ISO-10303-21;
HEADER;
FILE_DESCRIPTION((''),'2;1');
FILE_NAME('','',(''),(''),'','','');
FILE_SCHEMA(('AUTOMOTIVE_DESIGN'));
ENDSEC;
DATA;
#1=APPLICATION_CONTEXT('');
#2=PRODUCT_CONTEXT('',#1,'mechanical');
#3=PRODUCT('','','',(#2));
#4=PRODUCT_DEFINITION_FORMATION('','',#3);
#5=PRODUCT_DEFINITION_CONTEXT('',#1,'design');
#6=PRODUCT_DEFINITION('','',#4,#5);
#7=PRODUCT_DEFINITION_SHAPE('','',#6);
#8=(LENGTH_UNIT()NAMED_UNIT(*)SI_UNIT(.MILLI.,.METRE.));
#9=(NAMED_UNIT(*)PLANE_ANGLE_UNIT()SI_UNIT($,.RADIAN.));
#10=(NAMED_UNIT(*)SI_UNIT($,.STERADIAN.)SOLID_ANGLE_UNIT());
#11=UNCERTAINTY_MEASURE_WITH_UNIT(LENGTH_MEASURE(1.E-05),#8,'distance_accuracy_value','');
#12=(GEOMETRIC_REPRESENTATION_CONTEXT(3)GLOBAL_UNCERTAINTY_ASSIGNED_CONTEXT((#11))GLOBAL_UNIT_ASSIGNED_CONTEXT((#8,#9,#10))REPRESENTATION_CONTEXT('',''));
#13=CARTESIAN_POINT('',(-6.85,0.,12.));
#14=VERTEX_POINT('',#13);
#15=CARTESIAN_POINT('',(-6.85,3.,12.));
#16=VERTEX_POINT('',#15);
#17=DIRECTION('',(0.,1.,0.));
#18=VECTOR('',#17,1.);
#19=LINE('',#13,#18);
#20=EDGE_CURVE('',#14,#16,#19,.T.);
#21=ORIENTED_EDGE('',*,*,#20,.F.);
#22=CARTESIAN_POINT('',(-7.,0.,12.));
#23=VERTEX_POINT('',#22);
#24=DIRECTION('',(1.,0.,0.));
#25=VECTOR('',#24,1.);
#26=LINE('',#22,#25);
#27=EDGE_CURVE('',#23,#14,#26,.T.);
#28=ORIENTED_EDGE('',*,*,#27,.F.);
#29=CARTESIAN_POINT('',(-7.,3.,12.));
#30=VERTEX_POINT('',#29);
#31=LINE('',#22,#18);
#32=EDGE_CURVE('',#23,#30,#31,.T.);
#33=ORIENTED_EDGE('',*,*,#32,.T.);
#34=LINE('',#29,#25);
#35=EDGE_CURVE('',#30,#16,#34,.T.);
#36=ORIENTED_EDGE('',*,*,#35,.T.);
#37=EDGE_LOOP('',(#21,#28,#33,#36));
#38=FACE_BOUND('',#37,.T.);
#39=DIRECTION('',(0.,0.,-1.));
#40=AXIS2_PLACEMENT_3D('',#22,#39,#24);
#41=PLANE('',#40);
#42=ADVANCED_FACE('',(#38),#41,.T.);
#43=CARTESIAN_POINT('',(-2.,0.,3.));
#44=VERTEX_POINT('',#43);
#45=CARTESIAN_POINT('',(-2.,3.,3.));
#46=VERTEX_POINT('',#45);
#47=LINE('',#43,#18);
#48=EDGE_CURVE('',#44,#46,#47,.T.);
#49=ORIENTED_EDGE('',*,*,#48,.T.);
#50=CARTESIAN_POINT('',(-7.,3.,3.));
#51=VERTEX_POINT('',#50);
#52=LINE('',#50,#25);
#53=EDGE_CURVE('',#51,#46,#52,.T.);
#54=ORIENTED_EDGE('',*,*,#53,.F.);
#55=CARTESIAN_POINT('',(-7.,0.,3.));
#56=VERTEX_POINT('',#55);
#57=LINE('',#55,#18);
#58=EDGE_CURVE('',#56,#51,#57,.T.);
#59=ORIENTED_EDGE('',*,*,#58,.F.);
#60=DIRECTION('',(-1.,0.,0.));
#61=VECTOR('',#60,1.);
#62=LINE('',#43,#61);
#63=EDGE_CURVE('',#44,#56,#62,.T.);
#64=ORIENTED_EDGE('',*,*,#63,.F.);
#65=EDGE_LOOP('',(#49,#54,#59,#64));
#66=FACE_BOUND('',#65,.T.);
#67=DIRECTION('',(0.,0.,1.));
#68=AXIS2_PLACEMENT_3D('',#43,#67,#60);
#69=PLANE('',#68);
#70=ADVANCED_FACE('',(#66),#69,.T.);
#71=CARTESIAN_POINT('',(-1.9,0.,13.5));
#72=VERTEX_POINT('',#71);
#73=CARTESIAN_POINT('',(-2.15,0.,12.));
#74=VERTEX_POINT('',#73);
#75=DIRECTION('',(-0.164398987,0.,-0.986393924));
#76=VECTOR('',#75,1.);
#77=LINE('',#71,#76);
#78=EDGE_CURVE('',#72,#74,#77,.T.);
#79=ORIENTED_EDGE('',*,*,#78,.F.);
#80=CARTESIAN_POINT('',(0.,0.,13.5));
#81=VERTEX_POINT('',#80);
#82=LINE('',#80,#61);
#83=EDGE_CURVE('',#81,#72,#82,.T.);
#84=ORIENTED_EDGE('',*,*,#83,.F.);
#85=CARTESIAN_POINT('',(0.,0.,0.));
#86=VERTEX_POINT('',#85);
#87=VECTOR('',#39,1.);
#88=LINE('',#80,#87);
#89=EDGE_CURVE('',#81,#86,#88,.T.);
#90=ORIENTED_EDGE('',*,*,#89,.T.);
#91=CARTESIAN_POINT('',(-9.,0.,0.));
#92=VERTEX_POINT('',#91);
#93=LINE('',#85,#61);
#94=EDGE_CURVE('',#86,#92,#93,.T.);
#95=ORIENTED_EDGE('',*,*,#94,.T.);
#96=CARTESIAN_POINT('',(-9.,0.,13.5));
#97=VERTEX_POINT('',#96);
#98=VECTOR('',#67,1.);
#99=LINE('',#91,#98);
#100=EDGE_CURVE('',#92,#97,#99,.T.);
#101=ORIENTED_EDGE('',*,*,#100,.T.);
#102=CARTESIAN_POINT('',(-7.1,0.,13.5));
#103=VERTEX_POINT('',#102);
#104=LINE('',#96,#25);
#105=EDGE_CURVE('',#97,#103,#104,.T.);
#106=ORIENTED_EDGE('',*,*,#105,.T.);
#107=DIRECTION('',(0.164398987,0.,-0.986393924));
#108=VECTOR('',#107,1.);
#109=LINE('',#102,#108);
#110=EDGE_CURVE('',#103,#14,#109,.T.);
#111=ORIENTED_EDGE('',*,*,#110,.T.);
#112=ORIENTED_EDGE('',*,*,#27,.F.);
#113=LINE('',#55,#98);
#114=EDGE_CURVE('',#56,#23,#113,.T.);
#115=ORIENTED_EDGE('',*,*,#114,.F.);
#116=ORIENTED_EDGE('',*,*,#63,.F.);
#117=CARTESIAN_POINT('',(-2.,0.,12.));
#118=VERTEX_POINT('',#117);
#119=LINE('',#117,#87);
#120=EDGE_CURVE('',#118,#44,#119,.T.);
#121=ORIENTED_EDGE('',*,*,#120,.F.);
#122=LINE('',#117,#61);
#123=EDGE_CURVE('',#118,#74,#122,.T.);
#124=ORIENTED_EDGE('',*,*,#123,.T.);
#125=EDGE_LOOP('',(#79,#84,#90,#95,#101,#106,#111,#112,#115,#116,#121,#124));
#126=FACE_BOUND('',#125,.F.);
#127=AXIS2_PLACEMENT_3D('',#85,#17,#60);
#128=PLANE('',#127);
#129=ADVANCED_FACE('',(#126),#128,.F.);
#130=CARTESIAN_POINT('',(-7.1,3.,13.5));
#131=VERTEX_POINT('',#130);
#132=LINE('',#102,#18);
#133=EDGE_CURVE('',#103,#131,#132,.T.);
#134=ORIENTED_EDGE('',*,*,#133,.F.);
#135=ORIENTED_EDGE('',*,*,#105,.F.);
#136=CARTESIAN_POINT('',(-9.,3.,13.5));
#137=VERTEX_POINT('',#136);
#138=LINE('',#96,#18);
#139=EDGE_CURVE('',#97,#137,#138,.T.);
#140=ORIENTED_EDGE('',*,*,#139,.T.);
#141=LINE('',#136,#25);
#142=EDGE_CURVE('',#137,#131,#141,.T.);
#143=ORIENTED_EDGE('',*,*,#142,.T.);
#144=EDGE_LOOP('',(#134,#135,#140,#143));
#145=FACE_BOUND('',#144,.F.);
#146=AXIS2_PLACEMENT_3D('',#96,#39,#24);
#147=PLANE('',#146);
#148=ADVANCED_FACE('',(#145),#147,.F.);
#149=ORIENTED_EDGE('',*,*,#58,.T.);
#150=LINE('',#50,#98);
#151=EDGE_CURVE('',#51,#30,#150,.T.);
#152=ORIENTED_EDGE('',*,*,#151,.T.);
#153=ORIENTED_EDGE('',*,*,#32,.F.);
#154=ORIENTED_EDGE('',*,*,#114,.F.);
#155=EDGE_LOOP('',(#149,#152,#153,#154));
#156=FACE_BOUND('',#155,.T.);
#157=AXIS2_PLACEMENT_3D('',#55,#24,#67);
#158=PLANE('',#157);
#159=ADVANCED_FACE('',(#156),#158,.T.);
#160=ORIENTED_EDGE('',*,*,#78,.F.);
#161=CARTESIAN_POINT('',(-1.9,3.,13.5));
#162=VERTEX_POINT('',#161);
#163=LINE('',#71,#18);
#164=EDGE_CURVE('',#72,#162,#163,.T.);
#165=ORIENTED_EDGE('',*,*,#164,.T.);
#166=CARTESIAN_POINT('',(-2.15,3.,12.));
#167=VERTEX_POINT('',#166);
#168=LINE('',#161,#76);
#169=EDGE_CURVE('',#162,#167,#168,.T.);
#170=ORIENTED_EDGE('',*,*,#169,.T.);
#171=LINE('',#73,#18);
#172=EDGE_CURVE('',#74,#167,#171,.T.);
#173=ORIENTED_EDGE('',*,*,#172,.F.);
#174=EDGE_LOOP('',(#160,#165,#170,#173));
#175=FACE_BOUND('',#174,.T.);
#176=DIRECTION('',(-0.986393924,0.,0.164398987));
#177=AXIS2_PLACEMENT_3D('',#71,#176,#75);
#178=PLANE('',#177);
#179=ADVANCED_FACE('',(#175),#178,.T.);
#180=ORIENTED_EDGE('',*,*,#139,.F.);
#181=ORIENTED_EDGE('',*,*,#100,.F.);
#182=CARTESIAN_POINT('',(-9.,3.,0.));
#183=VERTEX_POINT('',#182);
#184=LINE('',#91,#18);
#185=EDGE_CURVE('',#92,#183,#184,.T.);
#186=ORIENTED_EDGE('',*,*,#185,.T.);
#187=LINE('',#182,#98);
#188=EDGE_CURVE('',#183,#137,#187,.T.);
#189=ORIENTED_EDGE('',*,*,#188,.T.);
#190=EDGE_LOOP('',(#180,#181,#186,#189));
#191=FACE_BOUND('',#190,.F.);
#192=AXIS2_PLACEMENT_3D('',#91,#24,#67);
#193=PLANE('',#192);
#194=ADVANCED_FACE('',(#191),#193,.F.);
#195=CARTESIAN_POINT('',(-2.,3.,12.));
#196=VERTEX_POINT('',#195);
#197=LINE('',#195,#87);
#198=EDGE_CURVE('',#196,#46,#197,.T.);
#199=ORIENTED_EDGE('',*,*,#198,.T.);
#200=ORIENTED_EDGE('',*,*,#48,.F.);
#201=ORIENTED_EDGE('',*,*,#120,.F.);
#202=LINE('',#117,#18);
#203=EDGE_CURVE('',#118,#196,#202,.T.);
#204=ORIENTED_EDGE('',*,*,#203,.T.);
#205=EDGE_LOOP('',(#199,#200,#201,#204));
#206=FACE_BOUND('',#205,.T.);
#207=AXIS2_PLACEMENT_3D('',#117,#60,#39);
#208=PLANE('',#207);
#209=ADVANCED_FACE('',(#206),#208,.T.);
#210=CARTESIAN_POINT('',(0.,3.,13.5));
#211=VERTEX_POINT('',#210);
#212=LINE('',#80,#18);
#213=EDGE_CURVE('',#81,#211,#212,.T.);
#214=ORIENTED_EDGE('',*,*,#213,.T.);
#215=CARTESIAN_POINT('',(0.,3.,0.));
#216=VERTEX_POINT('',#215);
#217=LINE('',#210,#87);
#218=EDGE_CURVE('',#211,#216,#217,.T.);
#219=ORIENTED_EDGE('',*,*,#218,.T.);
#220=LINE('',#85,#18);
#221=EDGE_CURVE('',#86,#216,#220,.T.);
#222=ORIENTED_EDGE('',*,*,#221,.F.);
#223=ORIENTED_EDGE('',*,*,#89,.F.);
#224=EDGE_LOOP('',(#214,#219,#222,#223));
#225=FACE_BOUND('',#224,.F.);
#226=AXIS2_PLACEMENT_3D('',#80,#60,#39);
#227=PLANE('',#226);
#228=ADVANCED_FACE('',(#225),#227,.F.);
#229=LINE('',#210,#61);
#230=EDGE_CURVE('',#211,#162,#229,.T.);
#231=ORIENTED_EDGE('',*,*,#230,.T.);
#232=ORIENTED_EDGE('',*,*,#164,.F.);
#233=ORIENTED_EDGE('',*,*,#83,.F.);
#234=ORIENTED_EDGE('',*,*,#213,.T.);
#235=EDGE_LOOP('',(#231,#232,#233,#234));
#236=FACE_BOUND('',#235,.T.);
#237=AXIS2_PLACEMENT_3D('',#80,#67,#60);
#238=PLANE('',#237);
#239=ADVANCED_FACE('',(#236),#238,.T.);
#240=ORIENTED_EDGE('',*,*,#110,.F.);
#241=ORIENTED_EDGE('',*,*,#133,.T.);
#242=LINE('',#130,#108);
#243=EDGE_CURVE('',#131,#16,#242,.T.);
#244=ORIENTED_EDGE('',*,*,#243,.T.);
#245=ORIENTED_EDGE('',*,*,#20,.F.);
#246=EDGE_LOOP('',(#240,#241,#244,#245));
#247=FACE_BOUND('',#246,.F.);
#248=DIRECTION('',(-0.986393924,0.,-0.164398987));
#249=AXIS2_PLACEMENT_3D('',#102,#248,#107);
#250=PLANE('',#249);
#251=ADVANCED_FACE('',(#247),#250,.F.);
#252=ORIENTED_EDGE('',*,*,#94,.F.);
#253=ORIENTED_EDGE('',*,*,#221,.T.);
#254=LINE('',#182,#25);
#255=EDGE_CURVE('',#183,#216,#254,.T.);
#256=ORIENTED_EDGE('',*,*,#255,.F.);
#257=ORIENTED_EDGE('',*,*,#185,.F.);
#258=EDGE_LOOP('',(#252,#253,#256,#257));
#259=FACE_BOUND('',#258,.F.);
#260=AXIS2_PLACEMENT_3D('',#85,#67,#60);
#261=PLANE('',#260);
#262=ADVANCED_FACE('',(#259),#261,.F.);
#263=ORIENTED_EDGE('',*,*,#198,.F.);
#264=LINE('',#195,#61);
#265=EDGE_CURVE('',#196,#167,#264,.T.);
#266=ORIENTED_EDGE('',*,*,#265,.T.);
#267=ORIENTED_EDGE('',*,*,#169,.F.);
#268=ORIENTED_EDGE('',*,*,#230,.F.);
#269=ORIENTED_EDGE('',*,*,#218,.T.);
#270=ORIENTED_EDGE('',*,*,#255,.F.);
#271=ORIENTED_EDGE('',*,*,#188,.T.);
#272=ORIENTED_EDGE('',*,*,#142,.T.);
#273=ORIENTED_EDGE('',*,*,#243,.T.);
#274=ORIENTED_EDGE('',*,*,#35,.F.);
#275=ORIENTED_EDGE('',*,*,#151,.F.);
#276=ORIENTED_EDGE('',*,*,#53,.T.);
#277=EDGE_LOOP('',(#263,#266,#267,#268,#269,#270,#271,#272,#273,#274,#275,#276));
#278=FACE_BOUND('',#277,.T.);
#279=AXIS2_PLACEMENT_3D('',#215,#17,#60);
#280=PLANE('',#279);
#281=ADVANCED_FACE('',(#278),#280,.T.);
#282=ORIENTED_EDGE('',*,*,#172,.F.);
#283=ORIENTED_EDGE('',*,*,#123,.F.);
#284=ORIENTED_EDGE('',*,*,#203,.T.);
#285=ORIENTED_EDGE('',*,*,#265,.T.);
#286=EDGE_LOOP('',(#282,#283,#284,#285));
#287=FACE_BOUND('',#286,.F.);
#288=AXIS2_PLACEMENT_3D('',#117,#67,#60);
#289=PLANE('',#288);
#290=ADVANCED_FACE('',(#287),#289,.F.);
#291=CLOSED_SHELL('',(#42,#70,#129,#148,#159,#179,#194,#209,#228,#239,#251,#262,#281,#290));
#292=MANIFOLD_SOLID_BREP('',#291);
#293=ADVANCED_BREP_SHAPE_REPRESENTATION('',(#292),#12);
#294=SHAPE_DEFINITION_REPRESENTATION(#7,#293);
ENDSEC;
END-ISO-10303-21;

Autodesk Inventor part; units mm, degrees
ref_plane "YZ Plane" through (0, 0, 0) normal (1, 0, 0) x (0, 1, 0)
ref_plane "XZ Plane" through (0, 0, 0) normal (0, 1, 0) x (-1, 0, 0)
ref_plane "XY Plane" through (0, 0, 0) normal (0, 0, 1) x (1, 0, 0)
sketch "草圖1" plane through (0, 0, 0) normal (0, 1, 0) x (-1, 0, 0)
  line L0 (0, 0) -> (9, 0)
  line L1 (9, 0) -> (9, 13.5)
  line L2 (0, 13.5) -> (0, 0)
  line L3 (2, 12) -> (2, 3)
  line L4 (2, 3) -> (7, 3)
  line L5 (7, 3) -> (7, 12)
  line L6 (9, 13.5) -> (7.1, 13.5)
  line L7 (7, 12) -> (6.85, 12)
  line L8 (7.1, 13.5) -> (6.85, 12)
  line L9 (4.5, 3) -> (4.5, 0)
  line L10 (0, 13.5) -> (1.9, 13.5)
  line L11 (2, 12) -> (2.15, 12)
  line L12 (1.9, 13.5) -> (2.15, 12)
  dimension "d0" = 13.5
  dimension "d1" = 9
  dimension "d2" = 5
  dimension "d3" = 9
  dimension "d4" = 1.5
  dimension "d5" = 2
  dimension "d6" = 1.9
  dimension "d7" = 0.15
  dimension "d8" = 2
  dimension "d9" = 5
extrude "擠出1" add sketch "草圖1" along normal blind 3
properties part number "夾持器"
